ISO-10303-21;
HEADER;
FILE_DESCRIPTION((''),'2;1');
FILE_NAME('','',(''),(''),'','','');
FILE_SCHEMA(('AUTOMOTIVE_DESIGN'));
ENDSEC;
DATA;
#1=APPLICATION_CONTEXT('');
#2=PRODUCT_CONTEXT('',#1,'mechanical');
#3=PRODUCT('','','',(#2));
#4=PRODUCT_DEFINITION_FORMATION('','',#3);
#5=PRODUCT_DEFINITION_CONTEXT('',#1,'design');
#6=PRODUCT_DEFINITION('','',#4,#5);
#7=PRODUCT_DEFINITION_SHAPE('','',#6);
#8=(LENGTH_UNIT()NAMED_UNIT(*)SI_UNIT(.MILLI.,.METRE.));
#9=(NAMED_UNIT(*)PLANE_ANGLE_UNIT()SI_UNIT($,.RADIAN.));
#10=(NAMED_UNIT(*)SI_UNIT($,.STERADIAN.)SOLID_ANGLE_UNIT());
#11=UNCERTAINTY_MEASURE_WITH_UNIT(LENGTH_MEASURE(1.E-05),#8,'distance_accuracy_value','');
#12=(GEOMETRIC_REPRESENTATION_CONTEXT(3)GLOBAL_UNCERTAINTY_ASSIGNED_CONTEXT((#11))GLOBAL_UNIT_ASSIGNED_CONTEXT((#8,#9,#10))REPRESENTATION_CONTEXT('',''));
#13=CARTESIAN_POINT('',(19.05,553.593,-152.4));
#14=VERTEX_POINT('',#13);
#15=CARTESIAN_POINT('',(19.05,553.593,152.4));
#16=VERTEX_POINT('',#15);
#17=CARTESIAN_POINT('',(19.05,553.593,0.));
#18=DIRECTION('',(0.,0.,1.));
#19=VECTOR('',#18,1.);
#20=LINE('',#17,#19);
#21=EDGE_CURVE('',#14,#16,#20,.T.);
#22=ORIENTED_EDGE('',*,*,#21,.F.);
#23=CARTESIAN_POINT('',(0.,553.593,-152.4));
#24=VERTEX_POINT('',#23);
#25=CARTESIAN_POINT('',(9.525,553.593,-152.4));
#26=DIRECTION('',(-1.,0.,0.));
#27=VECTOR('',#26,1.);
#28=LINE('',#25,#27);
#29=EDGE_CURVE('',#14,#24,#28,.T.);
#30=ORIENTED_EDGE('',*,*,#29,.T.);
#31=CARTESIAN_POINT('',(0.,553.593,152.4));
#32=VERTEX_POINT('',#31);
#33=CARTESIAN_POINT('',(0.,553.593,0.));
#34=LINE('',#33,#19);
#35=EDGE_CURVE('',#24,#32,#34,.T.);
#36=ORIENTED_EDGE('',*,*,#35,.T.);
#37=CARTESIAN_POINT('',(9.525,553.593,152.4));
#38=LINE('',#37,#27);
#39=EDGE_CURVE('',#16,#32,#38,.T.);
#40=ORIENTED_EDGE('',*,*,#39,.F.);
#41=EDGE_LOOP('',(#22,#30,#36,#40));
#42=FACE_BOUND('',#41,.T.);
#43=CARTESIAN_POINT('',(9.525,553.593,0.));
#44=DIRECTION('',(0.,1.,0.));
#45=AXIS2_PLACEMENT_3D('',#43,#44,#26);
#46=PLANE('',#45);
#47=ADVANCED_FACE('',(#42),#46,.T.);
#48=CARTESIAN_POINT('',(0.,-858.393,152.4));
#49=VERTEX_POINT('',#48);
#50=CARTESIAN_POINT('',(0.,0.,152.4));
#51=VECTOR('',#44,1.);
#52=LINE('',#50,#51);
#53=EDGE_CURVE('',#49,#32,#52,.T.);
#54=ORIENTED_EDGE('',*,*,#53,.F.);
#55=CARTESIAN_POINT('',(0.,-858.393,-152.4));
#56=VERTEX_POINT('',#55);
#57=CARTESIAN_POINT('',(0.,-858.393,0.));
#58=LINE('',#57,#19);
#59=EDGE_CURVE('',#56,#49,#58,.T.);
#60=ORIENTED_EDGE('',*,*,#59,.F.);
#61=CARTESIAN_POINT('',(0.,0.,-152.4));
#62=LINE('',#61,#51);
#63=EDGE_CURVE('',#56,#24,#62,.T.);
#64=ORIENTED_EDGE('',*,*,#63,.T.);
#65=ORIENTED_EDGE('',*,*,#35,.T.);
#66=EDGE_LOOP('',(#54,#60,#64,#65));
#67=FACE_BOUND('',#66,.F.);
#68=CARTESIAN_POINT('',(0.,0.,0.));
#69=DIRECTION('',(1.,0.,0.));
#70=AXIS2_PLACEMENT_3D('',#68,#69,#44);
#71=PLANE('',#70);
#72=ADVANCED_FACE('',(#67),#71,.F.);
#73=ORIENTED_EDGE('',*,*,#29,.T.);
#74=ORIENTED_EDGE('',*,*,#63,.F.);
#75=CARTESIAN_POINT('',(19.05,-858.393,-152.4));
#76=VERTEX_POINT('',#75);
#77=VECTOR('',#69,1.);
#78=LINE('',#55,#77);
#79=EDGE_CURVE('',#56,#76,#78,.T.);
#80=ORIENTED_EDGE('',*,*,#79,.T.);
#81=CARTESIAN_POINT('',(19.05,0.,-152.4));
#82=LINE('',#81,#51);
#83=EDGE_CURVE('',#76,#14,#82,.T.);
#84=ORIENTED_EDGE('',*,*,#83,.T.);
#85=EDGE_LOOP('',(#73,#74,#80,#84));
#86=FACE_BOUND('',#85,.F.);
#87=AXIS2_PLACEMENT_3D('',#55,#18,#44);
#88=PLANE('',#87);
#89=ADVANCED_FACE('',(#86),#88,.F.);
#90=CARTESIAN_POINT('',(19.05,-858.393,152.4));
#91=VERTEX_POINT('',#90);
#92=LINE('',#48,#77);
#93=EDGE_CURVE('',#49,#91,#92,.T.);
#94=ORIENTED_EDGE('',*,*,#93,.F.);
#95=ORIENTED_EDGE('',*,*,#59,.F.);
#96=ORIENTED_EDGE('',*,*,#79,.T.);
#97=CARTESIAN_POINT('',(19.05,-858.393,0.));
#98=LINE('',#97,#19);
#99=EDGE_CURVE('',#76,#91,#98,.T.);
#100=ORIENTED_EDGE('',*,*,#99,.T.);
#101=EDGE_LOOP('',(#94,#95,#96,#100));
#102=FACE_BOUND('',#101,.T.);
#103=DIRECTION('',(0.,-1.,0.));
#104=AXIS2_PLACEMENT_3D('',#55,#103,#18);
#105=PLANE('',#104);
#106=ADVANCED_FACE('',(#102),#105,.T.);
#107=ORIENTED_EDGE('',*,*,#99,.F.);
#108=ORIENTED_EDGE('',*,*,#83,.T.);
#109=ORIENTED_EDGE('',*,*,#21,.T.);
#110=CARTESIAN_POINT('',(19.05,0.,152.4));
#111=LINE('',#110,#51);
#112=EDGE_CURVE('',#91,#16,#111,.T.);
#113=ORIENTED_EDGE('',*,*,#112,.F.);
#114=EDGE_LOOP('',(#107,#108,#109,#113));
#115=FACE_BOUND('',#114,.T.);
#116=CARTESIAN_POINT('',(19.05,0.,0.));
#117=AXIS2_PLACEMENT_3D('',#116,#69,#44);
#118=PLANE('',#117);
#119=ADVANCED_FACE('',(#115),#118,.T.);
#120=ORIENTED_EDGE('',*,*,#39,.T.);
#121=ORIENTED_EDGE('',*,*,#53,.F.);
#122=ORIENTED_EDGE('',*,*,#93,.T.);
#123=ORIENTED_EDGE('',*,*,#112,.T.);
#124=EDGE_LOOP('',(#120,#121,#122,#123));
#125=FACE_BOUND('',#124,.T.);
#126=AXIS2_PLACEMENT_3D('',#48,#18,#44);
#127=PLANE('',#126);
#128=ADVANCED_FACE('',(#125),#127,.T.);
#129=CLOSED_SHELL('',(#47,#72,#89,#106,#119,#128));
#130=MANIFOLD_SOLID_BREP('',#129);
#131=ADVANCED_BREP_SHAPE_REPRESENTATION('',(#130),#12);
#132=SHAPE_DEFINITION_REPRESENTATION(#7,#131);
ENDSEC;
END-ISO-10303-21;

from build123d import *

# Parameters (mm, degrees)
F0_W      = 1716.786
F0_H      = 304.8
F1_DEPTH  = 19.05
F1_FACE_W = 19.05
F1_FACE_H = 304.8
F2_DEPTH  = 304.8


with BuildPart() as f1:
    # F0 (on Right) → F1 (new body)
    with BuildSketch(Plane.YZ):
        Rectangle(F0_W, F0_H)
    extrude(amount=F1_DEPTH)

    # F1_face (on face) → F2 (cut)
    with BuildSketch(Plane(origin=(9.525, 858.393, 0), x_dir=(-1, 0, 0), z_dir=(0, 1, 0))):
        Rectangle(F1_FACE_W, F1_FACE_H)
    extrude(amount=-F2_DEPTH, mode=Mode.SUBTRACT)


solid = f1.part
